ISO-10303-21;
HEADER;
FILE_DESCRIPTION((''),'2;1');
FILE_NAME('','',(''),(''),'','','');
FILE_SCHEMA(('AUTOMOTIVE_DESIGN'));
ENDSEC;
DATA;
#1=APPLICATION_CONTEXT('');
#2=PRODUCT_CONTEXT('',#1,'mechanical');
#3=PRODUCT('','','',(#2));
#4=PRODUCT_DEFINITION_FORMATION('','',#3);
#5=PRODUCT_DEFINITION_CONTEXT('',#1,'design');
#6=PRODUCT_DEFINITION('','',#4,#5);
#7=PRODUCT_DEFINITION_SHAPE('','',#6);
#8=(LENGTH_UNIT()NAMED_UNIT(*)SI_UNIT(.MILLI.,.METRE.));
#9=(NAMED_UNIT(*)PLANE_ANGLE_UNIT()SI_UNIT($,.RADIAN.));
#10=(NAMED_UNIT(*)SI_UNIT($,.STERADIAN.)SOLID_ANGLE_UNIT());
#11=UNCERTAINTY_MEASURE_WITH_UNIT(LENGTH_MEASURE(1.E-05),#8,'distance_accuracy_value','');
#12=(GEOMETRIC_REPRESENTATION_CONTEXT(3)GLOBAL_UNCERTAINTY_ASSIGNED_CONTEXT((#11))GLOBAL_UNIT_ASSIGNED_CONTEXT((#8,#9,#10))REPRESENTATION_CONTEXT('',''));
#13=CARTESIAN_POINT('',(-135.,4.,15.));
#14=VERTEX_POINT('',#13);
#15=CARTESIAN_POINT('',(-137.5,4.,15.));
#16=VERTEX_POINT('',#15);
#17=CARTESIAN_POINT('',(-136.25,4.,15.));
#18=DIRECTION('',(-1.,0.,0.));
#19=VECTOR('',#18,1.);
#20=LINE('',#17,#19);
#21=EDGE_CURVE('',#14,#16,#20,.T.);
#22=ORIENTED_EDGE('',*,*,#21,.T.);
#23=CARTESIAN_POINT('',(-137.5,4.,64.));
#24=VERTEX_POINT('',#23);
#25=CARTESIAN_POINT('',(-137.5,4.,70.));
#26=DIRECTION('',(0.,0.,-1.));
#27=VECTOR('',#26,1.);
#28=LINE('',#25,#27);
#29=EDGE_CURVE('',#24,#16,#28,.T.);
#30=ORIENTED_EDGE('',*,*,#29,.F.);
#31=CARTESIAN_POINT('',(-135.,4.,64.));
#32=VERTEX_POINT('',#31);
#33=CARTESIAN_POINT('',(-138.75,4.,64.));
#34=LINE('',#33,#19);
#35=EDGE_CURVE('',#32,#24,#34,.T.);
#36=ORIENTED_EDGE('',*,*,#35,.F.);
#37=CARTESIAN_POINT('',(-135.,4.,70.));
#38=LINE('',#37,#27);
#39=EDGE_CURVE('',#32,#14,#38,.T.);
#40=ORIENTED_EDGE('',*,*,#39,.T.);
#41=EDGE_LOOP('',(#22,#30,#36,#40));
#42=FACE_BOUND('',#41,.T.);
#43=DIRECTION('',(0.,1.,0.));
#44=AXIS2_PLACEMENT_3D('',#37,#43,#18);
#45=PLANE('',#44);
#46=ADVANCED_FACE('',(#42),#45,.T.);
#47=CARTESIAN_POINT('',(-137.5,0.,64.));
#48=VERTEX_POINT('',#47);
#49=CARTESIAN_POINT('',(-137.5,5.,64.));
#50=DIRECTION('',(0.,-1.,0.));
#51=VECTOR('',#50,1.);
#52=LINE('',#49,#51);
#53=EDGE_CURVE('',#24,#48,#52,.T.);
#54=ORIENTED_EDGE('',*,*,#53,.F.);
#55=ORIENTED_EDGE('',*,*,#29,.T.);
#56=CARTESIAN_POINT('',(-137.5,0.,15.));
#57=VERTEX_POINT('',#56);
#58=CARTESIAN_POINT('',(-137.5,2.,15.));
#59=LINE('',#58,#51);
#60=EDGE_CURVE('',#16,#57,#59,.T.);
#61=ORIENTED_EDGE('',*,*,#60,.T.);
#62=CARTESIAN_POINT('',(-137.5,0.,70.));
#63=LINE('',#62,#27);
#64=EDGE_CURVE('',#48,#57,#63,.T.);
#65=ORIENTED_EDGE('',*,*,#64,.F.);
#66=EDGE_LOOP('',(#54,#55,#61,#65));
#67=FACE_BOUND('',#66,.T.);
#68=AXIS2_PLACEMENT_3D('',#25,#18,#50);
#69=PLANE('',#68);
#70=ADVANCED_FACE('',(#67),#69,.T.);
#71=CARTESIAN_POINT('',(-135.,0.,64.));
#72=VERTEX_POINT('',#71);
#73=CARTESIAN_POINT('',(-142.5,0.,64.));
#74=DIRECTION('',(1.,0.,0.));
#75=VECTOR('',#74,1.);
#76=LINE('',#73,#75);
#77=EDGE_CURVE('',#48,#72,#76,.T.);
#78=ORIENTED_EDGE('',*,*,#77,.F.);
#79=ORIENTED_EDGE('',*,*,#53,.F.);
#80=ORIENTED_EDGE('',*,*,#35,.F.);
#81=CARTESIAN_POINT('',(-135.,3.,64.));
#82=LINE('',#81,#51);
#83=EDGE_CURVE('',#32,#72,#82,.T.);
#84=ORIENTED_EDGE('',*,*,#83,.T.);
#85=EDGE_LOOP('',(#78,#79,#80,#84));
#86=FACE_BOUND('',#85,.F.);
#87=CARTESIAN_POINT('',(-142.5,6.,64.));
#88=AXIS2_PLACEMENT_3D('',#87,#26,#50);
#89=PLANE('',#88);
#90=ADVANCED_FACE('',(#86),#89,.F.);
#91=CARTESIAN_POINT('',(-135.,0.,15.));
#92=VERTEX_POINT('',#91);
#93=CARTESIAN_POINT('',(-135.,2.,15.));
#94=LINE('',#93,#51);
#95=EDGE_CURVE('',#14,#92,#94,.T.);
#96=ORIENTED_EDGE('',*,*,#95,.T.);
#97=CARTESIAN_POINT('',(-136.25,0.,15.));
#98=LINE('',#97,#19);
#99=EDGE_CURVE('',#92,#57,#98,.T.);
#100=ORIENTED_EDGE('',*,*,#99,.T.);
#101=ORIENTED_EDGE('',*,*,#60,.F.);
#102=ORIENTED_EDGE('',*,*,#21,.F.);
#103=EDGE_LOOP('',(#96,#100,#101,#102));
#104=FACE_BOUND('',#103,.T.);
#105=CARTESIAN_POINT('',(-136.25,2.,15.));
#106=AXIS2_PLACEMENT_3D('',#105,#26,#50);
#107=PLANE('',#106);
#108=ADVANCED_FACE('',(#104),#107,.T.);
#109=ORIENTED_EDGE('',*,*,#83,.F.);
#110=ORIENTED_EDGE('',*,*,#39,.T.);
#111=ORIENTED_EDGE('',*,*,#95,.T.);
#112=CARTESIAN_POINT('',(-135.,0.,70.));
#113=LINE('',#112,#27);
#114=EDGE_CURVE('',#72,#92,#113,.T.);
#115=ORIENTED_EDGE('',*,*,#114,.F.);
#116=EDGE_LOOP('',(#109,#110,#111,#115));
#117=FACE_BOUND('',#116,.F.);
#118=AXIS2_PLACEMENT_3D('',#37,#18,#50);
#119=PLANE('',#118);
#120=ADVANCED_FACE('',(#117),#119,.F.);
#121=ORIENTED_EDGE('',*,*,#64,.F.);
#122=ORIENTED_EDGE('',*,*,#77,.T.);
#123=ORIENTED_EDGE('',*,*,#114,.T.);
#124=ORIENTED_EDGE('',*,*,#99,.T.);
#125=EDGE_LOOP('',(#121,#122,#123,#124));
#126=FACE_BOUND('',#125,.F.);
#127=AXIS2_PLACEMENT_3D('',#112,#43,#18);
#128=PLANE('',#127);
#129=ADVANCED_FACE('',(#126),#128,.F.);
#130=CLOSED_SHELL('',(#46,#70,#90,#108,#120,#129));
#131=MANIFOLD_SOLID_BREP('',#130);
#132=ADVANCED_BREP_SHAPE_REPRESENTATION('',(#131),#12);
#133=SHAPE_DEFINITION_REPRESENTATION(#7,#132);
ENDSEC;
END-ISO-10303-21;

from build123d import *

# Parameters (mm, degrees)
RECTANGLE064_W   = 6
RECTANGLE064_H   = 6
EXTRUDE078_DEPTH = 7.5
FACEBINDER012_W  = 4
FACEBINDER012_H  = 2.5
EXTRUDE037_DEPTH = 55


with BuildPart() as extrude078:
    # Rectangle064 → Extrude078 (new body)
    with BuildSketch(Plane(origin=(-250, 6, 64), x_dir=(0, -1, 0), z_dir=(-1, 0, 0))):
        with Locations((3, 3)):
            Rectangle(RECTANGLE064_W, RECTANGLE064_H)
    extrude(amount=-EXTRUDE078_DEPTH)


with BuildPart() as extrude078_1:
    # Extrude078 placement: moved
    add(extrude078.part.moved(Location((110, 0, 0))))


with BuildPart() as cut001:
    # Facebinder012 → Extrude037 (new body)
    with BuildSketch(Plane(origin=(-133.75, 2, 70), x_dir=(0, -1, 0), z_dir=(0, 0, -1))):
        Rectangle(FACEBINDER012_W, FACEBINDER012_H)
    extrude(amount=EXTRUDE037_DEPTH)

    # Cut001: cut Extrude078
    add(extrude078_1.part, mode=Mode.SUBTRACT)


with BuildPart() as cut001_1:
    # Cut001 placement: moved
    add(cut001.part.moved(Location((-2.5, 0, 0))))


solid = cut001_1.part
